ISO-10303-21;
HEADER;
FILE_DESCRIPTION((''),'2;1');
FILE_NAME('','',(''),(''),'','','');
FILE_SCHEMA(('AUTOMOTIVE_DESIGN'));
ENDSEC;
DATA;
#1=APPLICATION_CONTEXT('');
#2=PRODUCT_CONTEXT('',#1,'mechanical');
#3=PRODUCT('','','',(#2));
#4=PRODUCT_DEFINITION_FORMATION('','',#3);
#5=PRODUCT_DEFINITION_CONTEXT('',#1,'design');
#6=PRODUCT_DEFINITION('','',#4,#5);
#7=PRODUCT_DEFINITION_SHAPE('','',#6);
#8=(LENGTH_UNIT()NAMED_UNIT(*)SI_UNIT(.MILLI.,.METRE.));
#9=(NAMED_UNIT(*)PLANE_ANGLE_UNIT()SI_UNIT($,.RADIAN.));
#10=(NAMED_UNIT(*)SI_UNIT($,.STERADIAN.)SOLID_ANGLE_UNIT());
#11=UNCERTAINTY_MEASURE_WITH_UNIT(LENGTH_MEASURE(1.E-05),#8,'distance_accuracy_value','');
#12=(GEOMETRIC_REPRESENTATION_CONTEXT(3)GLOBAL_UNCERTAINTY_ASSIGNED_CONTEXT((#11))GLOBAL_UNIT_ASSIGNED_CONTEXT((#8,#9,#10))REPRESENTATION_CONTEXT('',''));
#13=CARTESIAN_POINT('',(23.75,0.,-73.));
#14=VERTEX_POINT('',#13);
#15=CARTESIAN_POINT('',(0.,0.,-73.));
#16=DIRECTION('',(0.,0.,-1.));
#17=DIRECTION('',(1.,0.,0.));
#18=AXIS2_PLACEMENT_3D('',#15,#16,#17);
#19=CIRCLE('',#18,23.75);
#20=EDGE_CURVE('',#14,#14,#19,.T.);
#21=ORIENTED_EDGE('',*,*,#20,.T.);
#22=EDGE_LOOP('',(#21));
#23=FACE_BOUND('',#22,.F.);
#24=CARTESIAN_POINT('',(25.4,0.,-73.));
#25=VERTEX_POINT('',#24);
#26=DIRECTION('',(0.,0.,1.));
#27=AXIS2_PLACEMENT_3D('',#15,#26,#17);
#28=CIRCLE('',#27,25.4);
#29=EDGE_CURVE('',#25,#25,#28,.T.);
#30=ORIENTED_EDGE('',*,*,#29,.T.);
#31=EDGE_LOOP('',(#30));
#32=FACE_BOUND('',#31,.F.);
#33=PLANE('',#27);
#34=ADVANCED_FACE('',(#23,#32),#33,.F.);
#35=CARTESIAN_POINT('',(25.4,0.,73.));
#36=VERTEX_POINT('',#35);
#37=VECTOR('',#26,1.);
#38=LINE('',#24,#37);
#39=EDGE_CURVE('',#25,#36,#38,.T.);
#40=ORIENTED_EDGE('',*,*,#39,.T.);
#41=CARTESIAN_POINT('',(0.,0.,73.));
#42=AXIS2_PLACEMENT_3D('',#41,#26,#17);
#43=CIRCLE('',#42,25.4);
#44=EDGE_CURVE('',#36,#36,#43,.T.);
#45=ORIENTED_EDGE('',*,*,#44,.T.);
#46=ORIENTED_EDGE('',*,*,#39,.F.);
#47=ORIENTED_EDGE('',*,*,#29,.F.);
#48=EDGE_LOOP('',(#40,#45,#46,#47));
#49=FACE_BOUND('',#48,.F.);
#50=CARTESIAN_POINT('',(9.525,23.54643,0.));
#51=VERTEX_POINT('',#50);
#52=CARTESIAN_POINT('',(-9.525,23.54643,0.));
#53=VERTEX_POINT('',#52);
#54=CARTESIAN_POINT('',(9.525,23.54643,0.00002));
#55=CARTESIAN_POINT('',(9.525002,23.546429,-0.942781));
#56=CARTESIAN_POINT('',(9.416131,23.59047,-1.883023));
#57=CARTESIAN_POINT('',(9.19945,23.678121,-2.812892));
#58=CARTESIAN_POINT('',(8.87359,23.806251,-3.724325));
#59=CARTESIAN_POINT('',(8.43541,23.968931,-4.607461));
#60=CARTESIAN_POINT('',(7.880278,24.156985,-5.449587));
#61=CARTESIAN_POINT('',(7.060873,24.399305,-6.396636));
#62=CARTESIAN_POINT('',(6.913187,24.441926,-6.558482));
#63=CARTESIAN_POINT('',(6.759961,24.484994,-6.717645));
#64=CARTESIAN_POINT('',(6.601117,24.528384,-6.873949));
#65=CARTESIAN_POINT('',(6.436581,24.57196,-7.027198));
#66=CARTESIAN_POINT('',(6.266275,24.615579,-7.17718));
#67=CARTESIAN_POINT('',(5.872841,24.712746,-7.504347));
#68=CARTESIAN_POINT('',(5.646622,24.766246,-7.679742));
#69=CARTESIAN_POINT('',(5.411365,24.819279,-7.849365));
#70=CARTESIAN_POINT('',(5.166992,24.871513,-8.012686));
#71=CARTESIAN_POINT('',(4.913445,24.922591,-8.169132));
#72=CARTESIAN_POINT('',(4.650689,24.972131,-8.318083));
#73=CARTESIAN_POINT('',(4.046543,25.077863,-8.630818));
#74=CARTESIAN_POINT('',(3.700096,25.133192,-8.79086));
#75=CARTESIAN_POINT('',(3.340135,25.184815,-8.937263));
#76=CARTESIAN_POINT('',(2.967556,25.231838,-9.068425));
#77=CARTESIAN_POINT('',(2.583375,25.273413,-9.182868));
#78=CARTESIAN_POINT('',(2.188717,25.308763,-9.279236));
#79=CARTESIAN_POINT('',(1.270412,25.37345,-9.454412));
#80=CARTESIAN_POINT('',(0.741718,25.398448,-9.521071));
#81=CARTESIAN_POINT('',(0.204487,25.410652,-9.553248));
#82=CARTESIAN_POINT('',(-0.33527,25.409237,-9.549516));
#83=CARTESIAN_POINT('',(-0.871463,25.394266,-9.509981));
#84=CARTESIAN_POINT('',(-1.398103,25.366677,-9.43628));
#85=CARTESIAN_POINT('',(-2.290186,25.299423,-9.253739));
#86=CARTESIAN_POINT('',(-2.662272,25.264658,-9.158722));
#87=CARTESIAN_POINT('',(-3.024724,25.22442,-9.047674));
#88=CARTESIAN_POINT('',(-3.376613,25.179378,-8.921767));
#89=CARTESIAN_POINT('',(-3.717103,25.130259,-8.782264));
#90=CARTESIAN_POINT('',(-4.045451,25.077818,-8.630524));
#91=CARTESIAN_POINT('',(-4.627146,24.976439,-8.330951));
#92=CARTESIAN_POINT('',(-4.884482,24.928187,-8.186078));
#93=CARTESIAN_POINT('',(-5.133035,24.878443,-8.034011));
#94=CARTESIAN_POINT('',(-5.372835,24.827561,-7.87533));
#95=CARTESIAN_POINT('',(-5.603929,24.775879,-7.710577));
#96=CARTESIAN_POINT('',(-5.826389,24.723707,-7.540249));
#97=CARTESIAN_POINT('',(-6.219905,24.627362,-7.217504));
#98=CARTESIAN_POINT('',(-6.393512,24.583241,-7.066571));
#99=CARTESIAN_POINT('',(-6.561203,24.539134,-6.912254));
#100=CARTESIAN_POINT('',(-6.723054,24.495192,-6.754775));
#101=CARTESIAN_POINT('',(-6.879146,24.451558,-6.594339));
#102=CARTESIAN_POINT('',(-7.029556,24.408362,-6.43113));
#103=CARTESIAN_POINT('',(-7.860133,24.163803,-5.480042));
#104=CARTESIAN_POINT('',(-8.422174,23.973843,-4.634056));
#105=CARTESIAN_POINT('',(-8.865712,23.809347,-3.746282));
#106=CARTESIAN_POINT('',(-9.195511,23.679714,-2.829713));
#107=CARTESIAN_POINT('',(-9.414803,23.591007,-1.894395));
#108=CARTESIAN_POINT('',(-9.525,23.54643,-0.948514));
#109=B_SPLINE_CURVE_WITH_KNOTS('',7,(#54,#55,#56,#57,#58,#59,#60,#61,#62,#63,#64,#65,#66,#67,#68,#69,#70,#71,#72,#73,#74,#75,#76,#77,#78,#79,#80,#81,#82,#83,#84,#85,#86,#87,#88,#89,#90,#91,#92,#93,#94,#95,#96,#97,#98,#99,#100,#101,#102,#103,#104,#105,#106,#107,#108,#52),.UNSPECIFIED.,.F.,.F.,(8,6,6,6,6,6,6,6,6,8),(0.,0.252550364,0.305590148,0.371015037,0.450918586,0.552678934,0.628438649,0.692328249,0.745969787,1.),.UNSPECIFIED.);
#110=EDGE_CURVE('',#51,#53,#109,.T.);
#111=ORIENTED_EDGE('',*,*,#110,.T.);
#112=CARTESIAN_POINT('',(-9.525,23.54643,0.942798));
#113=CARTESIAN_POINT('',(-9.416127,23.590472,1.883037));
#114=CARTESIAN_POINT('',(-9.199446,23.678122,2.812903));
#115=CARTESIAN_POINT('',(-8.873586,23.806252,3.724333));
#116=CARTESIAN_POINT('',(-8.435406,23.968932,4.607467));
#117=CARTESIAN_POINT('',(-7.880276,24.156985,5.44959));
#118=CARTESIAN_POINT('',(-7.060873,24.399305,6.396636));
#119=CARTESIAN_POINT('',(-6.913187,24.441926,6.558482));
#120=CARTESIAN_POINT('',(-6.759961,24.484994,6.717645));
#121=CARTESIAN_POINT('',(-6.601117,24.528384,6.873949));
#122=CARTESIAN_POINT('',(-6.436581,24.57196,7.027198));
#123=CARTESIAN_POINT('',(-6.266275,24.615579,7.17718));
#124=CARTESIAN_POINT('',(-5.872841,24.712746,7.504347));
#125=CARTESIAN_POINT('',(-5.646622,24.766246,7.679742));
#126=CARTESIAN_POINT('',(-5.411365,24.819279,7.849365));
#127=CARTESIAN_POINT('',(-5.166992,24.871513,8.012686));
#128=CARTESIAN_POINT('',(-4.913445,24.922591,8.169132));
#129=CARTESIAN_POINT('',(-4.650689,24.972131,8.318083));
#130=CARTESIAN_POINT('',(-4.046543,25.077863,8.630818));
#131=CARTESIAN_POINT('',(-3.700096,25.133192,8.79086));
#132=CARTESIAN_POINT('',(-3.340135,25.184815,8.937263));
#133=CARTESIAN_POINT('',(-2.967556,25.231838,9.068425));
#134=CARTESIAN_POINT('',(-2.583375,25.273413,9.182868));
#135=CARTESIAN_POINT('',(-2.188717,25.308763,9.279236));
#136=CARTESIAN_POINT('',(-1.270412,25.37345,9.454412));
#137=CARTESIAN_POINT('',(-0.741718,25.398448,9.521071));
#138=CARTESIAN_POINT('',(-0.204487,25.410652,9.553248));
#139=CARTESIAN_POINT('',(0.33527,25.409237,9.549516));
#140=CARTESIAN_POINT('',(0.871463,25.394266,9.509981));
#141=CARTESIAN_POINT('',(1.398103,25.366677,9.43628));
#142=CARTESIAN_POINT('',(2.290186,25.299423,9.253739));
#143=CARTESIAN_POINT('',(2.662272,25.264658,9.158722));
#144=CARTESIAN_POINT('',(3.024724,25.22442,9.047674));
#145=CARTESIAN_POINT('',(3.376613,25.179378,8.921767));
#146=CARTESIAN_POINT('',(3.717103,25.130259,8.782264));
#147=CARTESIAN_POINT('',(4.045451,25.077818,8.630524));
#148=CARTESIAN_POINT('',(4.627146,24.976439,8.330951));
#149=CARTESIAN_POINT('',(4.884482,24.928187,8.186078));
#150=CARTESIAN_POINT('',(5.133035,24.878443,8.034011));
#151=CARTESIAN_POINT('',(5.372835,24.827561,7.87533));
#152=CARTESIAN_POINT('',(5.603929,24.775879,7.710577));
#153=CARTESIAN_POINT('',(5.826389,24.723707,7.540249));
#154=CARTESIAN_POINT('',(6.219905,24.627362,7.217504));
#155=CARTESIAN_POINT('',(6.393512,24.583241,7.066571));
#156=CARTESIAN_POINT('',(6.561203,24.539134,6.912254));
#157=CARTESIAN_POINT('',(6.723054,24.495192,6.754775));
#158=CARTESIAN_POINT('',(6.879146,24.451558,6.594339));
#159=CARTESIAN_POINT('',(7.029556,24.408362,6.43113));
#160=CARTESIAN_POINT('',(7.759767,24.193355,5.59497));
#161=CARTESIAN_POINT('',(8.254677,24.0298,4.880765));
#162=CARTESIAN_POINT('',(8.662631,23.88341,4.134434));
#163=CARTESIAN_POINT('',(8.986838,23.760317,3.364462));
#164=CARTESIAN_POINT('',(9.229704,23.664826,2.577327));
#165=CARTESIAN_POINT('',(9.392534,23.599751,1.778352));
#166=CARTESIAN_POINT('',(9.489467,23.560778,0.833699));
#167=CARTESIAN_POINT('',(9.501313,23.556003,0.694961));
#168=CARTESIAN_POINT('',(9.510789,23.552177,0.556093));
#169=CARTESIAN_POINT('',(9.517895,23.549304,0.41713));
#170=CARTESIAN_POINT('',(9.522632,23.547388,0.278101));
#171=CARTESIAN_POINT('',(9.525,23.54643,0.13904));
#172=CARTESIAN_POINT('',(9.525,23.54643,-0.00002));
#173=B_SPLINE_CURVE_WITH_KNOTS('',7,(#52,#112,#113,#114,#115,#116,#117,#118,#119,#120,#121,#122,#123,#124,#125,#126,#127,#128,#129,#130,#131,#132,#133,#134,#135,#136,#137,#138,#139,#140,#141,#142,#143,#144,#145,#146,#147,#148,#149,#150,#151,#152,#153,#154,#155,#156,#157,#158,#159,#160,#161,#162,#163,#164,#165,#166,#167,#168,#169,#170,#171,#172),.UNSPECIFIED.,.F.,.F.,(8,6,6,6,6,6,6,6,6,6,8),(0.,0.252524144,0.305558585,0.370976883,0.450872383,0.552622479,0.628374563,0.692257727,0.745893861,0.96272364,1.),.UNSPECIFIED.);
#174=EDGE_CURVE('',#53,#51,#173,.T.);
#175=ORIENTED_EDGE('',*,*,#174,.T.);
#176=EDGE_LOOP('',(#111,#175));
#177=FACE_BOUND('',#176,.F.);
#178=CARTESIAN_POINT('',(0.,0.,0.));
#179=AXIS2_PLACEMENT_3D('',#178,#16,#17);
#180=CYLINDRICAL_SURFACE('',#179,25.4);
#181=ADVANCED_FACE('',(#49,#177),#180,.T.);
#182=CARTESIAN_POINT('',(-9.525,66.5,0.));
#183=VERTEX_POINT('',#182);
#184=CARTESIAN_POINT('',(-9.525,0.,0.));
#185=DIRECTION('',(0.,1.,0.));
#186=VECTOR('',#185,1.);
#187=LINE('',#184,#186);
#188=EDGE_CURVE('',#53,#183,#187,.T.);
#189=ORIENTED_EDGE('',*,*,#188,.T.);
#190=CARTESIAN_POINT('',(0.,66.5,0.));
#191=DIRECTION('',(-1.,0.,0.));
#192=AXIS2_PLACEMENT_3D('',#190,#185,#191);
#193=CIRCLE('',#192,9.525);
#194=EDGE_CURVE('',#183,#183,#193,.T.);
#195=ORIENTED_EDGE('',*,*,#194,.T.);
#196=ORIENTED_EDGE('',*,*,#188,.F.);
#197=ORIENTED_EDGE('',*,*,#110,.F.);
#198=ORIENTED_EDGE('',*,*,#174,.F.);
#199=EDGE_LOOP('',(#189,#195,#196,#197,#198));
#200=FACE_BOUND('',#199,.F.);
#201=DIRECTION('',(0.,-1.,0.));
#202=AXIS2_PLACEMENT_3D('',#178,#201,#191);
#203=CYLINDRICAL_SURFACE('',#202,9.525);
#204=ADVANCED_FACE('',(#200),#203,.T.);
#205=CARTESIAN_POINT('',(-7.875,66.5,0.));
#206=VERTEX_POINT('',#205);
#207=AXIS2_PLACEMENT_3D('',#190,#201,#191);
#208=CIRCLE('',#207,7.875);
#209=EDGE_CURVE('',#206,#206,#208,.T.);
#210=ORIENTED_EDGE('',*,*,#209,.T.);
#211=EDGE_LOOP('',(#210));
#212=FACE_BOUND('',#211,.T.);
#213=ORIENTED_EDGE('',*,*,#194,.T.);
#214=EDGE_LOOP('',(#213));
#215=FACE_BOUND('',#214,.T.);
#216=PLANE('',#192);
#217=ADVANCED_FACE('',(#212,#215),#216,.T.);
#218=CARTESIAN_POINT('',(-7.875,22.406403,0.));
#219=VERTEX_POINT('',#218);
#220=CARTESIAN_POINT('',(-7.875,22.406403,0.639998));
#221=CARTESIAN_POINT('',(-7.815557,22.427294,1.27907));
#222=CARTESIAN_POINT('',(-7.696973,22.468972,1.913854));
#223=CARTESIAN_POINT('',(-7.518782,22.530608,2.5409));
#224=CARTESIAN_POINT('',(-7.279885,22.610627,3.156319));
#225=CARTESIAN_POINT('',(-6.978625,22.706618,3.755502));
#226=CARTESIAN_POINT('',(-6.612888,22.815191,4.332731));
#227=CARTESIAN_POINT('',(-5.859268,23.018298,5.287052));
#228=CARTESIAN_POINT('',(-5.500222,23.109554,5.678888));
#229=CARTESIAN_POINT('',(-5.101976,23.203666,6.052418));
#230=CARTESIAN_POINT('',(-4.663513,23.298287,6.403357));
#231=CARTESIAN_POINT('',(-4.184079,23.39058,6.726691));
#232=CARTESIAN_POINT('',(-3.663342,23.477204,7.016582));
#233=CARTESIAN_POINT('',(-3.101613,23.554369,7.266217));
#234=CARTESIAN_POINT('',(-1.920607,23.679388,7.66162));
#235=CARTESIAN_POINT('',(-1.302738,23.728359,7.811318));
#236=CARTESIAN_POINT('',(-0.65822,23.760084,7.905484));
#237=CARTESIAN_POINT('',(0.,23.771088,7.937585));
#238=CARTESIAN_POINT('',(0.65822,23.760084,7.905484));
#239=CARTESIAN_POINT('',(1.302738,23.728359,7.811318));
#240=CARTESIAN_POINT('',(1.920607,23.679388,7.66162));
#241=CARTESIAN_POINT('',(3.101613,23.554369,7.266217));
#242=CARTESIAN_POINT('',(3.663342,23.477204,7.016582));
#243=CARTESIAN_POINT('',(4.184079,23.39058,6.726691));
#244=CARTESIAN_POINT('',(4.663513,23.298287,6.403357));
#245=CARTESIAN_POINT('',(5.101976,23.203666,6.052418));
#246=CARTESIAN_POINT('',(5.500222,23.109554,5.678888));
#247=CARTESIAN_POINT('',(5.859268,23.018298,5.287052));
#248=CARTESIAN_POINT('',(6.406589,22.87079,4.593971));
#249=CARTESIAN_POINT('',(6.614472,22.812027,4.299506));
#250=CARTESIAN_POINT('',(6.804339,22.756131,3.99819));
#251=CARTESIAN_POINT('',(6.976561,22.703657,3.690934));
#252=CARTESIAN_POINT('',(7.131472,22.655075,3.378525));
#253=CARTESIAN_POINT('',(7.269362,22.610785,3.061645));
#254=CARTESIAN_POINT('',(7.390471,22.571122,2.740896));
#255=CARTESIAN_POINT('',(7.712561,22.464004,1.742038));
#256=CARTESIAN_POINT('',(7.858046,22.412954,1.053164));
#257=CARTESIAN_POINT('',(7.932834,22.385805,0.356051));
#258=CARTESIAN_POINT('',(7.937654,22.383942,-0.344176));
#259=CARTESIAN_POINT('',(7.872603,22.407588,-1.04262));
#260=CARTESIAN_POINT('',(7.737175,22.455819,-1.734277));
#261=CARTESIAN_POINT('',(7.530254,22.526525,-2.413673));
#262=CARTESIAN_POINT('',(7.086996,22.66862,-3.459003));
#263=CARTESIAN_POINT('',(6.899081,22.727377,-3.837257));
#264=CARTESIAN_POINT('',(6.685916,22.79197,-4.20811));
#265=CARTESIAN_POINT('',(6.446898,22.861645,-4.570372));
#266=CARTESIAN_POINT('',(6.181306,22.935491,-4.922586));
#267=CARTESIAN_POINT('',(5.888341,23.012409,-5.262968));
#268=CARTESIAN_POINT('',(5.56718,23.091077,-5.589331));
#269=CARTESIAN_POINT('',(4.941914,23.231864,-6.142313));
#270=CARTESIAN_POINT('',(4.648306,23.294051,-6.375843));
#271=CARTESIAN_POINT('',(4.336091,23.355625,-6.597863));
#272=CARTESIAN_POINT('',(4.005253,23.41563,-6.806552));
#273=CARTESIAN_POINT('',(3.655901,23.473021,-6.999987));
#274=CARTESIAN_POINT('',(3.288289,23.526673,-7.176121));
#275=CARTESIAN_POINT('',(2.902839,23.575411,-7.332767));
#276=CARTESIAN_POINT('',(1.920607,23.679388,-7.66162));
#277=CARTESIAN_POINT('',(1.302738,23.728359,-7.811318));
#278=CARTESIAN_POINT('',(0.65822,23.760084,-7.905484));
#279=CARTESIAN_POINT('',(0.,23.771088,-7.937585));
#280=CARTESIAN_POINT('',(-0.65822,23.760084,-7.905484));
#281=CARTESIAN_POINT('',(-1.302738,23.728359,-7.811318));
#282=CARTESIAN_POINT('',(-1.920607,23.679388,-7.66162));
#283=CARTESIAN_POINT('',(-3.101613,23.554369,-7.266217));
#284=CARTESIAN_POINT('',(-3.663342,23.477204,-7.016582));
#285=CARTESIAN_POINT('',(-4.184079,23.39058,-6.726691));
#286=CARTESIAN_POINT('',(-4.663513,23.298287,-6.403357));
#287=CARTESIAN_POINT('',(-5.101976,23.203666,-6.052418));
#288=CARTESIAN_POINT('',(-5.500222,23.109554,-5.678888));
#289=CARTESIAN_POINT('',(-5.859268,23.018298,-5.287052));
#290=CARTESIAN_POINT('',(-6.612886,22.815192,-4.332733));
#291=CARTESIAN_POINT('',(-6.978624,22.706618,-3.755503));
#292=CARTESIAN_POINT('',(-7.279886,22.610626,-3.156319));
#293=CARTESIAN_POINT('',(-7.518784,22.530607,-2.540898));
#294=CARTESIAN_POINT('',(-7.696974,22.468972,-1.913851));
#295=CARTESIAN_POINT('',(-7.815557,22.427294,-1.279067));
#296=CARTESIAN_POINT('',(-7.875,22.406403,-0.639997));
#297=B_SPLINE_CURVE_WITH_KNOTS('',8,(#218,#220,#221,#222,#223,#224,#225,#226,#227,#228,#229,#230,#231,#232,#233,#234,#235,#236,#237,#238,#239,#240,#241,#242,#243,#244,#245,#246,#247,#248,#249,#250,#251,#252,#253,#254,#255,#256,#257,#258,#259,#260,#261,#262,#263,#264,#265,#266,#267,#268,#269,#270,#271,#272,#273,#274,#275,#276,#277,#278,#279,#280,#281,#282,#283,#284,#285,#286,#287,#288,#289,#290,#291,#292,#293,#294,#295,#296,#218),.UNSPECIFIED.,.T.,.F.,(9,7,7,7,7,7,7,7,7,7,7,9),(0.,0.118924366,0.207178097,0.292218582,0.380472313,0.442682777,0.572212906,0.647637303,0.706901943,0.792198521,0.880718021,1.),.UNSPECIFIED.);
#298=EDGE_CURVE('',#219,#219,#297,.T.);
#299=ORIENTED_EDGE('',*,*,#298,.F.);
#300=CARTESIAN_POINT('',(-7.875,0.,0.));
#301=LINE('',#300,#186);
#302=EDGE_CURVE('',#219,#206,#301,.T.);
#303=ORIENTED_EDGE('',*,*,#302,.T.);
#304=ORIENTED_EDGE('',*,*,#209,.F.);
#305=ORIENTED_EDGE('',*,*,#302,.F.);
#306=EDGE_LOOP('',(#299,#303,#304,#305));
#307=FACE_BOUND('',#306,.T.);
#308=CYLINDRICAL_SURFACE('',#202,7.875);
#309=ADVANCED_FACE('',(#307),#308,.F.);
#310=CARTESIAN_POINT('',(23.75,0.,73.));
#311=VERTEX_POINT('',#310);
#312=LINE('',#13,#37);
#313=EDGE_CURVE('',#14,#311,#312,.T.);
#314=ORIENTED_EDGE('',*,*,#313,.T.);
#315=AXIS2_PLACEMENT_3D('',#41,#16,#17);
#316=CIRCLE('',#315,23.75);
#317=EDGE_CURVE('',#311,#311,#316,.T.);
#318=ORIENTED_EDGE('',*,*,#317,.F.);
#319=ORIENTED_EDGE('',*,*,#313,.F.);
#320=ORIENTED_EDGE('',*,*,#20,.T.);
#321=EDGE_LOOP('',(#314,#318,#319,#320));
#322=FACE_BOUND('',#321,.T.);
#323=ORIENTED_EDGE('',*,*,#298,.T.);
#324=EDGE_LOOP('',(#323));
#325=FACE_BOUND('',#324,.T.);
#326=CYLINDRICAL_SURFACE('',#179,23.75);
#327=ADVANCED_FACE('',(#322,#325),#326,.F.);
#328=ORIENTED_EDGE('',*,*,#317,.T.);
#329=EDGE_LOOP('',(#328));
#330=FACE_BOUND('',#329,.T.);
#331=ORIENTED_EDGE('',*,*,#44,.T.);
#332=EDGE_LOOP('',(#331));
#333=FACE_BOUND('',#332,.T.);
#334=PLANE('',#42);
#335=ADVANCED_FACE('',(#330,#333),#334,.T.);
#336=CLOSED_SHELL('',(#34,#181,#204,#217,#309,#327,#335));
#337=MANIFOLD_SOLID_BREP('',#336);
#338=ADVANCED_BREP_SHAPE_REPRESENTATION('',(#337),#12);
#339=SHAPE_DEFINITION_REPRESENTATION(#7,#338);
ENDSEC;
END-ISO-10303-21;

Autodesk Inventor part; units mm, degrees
ref_plane "YZ Plane" through (0, 0, 0) normal (1, 0, 0) x (0, 1, 0)
ref_plane "XZ Plane" through (0, 0, 0) normal (0, 1, 0) x (-1, 0, 0)
ref_plane "XY Plane" through (0, 0, 0) normal (0, 0, 1) x (1, 0, 0)
sketch "Sketch1" plane through (0, 0, 0) normal (0, 0, 1) x (1, 0, 0)
  circle A0 centre (0, 0) radius 25.4
  dimension "d0" = 50.8
extrude "Extrusion1" add sketch "Sketch1" along normal mid plane 146
sketch "Sketch2" plane through (0, 0, 0) normal (0, 1, 0) x (-1, 0, 0)
  circle A0 centre (0, 0) radius 9.525
  dimension "d3" = 19.05
extrude "Extrusion2" add sketch "Sketch2" along normal blind 66.5
shell "Shell1" thickness 1.65 removed faces 3 at (2.8113, 66.5, 0.0442) at (-7.2508, -1.9085, 73) at (-7.2508, -1.9085, -73)
properties part number "ASME BPE - RED TEE-50.8-19.05" material "Stainless Steel, 316L"
